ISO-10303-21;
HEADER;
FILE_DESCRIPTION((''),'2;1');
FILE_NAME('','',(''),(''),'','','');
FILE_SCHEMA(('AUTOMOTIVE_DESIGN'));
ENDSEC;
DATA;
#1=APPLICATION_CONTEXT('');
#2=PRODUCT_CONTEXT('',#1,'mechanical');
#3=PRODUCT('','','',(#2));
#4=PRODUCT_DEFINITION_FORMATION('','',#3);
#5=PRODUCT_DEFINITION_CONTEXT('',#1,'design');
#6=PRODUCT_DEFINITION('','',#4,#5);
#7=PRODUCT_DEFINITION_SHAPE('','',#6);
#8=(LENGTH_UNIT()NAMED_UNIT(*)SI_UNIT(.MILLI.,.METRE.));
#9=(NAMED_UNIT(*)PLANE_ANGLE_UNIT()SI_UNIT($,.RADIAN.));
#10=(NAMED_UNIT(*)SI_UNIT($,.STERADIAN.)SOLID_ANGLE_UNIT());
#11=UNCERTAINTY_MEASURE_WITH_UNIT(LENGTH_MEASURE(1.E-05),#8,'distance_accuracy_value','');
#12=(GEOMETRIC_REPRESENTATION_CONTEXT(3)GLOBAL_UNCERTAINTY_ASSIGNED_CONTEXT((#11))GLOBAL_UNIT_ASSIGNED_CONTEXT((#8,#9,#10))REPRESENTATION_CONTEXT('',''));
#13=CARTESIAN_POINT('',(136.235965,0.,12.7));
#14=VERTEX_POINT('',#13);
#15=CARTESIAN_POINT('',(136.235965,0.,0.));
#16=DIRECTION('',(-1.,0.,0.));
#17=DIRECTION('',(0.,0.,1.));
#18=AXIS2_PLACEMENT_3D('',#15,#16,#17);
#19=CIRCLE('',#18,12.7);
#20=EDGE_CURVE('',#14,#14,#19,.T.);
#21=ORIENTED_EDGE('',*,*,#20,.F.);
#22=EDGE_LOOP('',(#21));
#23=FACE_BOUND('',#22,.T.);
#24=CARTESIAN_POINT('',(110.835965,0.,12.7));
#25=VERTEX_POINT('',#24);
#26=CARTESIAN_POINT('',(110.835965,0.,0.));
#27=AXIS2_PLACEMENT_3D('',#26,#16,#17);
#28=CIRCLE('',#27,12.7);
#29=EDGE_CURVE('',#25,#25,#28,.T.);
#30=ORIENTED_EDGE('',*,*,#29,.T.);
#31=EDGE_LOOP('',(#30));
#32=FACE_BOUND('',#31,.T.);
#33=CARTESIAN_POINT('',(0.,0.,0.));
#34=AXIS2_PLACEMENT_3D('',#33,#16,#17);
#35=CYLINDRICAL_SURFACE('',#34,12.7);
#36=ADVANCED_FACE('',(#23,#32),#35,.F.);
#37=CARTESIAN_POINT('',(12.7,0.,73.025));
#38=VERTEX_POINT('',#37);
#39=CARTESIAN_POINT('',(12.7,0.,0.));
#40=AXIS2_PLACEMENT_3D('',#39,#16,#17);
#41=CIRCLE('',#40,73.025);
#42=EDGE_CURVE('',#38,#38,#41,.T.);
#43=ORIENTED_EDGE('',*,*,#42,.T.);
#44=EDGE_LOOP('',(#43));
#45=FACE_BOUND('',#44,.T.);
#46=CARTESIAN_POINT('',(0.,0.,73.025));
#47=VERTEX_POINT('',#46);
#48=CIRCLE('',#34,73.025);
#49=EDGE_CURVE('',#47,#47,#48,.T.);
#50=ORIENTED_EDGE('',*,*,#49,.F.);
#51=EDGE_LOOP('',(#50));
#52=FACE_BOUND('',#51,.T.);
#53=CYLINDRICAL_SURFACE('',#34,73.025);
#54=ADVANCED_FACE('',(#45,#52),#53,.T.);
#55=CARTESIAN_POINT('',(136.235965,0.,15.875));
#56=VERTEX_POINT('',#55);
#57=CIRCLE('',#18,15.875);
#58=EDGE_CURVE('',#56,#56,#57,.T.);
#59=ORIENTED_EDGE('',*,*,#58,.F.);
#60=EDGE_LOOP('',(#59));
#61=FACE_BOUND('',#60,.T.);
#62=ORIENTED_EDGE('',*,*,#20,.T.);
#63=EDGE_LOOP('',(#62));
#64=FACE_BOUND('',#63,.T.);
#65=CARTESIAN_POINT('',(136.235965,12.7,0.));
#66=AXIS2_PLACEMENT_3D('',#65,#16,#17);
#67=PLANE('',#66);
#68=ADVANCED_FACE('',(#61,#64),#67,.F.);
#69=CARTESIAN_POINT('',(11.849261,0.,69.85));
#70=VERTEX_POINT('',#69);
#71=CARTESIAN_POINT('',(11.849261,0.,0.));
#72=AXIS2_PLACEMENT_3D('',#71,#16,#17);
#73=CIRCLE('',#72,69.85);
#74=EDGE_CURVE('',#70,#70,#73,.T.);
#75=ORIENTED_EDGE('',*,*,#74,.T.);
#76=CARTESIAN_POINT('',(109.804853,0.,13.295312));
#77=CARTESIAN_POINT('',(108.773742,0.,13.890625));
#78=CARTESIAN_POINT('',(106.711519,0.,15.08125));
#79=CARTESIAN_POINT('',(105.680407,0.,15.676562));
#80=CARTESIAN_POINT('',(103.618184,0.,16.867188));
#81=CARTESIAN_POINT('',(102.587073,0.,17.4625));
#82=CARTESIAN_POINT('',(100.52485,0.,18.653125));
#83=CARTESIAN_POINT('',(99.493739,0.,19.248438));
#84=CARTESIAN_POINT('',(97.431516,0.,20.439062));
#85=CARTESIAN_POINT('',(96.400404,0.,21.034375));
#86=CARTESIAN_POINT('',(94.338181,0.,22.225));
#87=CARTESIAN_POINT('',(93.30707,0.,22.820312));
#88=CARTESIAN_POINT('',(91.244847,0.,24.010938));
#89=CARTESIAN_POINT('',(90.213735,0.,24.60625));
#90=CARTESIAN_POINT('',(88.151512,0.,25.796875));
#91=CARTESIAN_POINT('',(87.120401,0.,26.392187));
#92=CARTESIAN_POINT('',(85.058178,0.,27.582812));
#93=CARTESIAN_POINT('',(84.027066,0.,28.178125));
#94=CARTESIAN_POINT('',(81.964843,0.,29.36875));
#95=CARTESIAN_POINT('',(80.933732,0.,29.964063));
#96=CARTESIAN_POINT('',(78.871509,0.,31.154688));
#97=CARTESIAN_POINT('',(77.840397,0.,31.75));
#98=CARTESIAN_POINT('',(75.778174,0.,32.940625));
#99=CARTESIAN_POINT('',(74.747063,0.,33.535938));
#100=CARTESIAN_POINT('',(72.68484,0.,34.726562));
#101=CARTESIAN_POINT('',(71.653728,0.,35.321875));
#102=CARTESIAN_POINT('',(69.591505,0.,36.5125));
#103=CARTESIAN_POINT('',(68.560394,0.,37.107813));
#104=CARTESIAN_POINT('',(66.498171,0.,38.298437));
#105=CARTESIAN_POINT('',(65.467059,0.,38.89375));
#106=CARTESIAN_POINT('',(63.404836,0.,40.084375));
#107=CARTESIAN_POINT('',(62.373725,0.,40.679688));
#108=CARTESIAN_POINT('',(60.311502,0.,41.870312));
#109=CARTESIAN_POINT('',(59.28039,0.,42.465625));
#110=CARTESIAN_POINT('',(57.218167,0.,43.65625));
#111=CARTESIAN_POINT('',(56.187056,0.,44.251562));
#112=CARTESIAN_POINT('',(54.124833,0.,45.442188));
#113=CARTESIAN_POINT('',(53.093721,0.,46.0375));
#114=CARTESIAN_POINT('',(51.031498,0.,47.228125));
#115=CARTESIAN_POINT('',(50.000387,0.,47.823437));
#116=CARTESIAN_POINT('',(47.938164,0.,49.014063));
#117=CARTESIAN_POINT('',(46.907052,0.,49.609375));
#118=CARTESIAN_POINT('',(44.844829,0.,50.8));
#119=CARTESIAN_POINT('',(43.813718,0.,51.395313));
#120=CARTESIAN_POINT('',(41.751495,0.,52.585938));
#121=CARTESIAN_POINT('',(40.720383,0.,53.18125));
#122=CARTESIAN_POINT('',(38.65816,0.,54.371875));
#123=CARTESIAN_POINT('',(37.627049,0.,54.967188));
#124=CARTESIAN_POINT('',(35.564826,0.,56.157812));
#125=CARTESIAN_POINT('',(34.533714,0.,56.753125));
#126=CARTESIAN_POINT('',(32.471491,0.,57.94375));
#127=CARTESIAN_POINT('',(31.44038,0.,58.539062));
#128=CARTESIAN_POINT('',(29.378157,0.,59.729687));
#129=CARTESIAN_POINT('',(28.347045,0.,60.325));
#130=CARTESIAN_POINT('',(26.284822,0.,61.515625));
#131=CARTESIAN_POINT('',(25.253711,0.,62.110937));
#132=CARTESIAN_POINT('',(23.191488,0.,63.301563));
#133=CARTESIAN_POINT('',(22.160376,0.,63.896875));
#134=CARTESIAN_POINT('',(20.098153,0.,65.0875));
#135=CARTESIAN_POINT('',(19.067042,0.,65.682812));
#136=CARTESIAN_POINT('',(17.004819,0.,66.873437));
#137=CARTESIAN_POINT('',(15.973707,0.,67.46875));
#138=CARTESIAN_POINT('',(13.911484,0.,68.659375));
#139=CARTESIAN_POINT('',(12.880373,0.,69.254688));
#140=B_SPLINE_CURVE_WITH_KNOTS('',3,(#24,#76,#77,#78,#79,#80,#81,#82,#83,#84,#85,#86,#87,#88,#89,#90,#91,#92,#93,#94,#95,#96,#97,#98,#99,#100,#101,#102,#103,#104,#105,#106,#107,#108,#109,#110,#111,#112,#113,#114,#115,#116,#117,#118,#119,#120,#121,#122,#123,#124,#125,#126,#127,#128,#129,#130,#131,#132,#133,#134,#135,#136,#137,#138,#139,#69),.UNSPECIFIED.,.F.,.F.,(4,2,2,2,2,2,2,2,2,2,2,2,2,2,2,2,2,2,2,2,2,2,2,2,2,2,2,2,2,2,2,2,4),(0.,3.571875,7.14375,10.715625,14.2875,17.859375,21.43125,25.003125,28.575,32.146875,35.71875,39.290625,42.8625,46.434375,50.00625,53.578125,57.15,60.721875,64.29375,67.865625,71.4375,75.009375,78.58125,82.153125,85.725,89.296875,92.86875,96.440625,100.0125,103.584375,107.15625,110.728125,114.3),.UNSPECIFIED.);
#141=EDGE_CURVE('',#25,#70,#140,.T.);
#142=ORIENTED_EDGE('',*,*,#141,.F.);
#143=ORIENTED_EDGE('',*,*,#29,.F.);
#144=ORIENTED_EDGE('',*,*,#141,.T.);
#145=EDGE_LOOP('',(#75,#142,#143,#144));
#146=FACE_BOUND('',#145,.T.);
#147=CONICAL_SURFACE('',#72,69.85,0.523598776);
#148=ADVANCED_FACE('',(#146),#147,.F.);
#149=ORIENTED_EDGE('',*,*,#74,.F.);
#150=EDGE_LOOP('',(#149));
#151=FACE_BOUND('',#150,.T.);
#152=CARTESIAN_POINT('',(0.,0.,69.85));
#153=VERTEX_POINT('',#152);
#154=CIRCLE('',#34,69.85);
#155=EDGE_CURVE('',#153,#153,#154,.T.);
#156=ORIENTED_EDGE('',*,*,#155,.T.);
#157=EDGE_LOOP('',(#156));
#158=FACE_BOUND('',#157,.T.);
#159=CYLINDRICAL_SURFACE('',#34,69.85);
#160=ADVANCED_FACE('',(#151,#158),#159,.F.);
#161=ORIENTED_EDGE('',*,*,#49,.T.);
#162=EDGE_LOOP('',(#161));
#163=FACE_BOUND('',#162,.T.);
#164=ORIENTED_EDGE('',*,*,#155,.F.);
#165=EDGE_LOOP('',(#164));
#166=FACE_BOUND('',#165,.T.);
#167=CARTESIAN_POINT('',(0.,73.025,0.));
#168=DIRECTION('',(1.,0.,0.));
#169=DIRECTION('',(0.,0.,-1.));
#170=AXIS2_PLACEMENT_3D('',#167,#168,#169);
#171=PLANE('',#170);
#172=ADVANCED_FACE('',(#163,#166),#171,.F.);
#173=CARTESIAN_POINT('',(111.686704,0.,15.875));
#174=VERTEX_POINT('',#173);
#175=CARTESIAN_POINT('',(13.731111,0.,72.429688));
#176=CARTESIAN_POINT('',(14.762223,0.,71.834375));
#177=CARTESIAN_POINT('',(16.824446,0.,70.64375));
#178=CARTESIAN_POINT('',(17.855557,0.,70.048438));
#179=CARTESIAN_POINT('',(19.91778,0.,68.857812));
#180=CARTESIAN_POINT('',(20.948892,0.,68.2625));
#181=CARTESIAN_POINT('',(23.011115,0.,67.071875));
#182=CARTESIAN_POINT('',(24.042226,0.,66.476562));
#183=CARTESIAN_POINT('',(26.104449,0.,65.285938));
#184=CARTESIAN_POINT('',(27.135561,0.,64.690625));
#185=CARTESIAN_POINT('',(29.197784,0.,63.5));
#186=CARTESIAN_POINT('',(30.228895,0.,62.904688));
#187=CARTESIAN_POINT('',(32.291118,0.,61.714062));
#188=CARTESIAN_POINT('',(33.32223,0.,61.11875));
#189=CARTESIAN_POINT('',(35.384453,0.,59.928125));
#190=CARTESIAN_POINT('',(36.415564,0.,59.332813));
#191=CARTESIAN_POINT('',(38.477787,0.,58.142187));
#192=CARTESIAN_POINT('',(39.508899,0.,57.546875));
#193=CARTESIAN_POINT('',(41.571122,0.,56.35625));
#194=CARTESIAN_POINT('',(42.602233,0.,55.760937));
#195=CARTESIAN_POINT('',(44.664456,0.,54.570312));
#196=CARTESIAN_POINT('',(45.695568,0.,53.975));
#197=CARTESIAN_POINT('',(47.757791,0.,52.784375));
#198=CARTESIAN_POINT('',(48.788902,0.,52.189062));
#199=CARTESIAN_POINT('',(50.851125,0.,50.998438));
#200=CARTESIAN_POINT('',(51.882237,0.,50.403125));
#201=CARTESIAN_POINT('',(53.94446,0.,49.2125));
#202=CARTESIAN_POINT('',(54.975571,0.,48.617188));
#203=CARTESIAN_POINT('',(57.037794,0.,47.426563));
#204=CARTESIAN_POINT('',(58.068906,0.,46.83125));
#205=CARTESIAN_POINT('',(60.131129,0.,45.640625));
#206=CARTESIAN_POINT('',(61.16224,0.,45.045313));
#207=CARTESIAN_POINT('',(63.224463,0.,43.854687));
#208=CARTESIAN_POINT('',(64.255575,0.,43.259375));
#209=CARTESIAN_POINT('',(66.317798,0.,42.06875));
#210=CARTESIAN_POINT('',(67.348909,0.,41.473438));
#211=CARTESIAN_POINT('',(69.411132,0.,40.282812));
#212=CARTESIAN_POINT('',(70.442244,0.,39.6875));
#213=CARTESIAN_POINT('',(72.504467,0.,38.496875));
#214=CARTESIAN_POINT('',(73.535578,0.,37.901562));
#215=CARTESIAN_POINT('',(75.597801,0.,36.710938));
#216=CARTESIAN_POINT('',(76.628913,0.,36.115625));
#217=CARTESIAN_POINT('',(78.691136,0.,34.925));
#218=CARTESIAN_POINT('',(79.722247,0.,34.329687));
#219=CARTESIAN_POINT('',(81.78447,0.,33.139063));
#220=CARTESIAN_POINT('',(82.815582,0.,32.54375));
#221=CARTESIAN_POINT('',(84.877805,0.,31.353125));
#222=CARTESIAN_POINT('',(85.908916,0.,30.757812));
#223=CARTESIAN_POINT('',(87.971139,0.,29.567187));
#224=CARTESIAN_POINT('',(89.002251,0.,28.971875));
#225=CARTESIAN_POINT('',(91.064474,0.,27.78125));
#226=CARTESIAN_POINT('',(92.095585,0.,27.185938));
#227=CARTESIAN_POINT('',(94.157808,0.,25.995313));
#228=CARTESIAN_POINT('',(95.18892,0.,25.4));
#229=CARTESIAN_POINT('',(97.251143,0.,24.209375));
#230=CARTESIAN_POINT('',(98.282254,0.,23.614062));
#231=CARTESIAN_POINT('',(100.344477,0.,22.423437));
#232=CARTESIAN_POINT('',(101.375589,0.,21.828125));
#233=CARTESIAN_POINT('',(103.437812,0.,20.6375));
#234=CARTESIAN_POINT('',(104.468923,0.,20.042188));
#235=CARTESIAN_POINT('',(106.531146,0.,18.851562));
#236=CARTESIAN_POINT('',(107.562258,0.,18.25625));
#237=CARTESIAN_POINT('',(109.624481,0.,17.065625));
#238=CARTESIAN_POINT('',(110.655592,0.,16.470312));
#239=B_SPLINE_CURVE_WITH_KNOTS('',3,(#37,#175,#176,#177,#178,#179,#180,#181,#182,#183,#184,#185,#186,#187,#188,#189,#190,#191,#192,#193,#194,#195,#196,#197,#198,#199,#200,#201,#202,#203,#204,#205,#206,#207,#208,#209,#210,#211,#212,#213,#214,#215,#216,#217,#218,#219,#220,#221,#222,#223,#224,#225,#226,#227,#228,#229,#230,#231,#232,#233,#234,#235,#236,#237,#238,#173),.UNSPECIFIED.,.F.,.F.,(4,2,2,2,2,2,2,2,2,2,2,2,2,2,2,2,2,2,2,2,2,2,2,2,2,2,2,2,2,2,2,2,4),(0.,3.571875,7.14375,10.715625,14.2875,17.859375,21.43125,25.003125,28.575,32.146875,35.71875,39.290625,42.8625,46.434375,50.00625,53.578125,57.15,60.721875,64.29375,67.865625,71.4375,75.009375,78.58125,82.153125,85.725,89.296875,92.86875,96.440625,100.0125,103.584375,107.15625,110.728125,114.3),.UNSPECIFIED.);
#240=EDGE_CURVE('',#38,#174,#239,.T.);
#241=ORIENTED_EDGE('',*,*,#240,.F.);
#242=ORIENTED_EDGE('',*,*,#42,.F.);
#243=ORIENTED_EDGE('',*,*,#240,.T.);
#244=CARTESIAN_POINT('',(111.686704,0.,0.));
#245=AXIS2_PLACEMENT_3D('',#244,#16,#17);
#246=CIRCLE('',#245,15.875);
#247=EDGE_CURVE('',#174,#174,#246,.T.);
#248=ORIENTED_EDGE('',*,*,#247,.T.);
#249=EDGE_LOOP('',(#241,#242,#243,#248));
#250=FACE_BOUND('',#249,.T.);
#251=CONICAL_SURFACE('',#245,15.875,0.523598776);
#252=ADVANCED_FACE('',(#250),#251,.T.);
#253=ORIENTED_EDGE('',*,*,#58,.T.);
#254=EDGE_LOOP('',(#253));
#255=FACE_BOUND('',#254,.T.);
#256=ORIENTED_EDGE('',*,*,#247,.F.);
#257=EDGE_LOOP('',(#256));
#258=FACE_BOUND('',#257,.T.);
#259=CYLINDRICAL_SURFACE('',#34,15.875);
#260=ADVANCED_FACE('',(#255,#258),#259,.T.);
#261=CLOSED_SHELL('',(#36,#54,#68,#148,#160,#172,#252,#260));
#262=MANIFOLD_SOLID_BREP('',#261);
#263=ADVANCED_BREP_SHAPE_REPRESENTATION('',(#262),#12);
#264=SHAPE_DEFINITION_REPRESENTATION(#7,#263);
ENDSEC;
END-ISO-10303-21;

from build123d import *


with BuildPart() as part:
    # Sketch1 → Revolve1 (revolve)
    with BuildSketch(Plane.XY, mode=Mode.PRIVATE) as revolve1_sk:
        Polygon((0, 73.025), (0, 69.85), (11.849261314, 69.85), (110.835964967, 12.7), (136.235964967, 12.7), (136.235964967, 15.875), (111.686703653, 15.875), (12.7, 73.025), align=None)
    revolve(revolve1_sk.sketch.rotate(Axis((0, 0, 0), (1, 0, 0)), 90), axis=Axis((0, 0, 0), (1, 0, 0)))


solid = part.part
